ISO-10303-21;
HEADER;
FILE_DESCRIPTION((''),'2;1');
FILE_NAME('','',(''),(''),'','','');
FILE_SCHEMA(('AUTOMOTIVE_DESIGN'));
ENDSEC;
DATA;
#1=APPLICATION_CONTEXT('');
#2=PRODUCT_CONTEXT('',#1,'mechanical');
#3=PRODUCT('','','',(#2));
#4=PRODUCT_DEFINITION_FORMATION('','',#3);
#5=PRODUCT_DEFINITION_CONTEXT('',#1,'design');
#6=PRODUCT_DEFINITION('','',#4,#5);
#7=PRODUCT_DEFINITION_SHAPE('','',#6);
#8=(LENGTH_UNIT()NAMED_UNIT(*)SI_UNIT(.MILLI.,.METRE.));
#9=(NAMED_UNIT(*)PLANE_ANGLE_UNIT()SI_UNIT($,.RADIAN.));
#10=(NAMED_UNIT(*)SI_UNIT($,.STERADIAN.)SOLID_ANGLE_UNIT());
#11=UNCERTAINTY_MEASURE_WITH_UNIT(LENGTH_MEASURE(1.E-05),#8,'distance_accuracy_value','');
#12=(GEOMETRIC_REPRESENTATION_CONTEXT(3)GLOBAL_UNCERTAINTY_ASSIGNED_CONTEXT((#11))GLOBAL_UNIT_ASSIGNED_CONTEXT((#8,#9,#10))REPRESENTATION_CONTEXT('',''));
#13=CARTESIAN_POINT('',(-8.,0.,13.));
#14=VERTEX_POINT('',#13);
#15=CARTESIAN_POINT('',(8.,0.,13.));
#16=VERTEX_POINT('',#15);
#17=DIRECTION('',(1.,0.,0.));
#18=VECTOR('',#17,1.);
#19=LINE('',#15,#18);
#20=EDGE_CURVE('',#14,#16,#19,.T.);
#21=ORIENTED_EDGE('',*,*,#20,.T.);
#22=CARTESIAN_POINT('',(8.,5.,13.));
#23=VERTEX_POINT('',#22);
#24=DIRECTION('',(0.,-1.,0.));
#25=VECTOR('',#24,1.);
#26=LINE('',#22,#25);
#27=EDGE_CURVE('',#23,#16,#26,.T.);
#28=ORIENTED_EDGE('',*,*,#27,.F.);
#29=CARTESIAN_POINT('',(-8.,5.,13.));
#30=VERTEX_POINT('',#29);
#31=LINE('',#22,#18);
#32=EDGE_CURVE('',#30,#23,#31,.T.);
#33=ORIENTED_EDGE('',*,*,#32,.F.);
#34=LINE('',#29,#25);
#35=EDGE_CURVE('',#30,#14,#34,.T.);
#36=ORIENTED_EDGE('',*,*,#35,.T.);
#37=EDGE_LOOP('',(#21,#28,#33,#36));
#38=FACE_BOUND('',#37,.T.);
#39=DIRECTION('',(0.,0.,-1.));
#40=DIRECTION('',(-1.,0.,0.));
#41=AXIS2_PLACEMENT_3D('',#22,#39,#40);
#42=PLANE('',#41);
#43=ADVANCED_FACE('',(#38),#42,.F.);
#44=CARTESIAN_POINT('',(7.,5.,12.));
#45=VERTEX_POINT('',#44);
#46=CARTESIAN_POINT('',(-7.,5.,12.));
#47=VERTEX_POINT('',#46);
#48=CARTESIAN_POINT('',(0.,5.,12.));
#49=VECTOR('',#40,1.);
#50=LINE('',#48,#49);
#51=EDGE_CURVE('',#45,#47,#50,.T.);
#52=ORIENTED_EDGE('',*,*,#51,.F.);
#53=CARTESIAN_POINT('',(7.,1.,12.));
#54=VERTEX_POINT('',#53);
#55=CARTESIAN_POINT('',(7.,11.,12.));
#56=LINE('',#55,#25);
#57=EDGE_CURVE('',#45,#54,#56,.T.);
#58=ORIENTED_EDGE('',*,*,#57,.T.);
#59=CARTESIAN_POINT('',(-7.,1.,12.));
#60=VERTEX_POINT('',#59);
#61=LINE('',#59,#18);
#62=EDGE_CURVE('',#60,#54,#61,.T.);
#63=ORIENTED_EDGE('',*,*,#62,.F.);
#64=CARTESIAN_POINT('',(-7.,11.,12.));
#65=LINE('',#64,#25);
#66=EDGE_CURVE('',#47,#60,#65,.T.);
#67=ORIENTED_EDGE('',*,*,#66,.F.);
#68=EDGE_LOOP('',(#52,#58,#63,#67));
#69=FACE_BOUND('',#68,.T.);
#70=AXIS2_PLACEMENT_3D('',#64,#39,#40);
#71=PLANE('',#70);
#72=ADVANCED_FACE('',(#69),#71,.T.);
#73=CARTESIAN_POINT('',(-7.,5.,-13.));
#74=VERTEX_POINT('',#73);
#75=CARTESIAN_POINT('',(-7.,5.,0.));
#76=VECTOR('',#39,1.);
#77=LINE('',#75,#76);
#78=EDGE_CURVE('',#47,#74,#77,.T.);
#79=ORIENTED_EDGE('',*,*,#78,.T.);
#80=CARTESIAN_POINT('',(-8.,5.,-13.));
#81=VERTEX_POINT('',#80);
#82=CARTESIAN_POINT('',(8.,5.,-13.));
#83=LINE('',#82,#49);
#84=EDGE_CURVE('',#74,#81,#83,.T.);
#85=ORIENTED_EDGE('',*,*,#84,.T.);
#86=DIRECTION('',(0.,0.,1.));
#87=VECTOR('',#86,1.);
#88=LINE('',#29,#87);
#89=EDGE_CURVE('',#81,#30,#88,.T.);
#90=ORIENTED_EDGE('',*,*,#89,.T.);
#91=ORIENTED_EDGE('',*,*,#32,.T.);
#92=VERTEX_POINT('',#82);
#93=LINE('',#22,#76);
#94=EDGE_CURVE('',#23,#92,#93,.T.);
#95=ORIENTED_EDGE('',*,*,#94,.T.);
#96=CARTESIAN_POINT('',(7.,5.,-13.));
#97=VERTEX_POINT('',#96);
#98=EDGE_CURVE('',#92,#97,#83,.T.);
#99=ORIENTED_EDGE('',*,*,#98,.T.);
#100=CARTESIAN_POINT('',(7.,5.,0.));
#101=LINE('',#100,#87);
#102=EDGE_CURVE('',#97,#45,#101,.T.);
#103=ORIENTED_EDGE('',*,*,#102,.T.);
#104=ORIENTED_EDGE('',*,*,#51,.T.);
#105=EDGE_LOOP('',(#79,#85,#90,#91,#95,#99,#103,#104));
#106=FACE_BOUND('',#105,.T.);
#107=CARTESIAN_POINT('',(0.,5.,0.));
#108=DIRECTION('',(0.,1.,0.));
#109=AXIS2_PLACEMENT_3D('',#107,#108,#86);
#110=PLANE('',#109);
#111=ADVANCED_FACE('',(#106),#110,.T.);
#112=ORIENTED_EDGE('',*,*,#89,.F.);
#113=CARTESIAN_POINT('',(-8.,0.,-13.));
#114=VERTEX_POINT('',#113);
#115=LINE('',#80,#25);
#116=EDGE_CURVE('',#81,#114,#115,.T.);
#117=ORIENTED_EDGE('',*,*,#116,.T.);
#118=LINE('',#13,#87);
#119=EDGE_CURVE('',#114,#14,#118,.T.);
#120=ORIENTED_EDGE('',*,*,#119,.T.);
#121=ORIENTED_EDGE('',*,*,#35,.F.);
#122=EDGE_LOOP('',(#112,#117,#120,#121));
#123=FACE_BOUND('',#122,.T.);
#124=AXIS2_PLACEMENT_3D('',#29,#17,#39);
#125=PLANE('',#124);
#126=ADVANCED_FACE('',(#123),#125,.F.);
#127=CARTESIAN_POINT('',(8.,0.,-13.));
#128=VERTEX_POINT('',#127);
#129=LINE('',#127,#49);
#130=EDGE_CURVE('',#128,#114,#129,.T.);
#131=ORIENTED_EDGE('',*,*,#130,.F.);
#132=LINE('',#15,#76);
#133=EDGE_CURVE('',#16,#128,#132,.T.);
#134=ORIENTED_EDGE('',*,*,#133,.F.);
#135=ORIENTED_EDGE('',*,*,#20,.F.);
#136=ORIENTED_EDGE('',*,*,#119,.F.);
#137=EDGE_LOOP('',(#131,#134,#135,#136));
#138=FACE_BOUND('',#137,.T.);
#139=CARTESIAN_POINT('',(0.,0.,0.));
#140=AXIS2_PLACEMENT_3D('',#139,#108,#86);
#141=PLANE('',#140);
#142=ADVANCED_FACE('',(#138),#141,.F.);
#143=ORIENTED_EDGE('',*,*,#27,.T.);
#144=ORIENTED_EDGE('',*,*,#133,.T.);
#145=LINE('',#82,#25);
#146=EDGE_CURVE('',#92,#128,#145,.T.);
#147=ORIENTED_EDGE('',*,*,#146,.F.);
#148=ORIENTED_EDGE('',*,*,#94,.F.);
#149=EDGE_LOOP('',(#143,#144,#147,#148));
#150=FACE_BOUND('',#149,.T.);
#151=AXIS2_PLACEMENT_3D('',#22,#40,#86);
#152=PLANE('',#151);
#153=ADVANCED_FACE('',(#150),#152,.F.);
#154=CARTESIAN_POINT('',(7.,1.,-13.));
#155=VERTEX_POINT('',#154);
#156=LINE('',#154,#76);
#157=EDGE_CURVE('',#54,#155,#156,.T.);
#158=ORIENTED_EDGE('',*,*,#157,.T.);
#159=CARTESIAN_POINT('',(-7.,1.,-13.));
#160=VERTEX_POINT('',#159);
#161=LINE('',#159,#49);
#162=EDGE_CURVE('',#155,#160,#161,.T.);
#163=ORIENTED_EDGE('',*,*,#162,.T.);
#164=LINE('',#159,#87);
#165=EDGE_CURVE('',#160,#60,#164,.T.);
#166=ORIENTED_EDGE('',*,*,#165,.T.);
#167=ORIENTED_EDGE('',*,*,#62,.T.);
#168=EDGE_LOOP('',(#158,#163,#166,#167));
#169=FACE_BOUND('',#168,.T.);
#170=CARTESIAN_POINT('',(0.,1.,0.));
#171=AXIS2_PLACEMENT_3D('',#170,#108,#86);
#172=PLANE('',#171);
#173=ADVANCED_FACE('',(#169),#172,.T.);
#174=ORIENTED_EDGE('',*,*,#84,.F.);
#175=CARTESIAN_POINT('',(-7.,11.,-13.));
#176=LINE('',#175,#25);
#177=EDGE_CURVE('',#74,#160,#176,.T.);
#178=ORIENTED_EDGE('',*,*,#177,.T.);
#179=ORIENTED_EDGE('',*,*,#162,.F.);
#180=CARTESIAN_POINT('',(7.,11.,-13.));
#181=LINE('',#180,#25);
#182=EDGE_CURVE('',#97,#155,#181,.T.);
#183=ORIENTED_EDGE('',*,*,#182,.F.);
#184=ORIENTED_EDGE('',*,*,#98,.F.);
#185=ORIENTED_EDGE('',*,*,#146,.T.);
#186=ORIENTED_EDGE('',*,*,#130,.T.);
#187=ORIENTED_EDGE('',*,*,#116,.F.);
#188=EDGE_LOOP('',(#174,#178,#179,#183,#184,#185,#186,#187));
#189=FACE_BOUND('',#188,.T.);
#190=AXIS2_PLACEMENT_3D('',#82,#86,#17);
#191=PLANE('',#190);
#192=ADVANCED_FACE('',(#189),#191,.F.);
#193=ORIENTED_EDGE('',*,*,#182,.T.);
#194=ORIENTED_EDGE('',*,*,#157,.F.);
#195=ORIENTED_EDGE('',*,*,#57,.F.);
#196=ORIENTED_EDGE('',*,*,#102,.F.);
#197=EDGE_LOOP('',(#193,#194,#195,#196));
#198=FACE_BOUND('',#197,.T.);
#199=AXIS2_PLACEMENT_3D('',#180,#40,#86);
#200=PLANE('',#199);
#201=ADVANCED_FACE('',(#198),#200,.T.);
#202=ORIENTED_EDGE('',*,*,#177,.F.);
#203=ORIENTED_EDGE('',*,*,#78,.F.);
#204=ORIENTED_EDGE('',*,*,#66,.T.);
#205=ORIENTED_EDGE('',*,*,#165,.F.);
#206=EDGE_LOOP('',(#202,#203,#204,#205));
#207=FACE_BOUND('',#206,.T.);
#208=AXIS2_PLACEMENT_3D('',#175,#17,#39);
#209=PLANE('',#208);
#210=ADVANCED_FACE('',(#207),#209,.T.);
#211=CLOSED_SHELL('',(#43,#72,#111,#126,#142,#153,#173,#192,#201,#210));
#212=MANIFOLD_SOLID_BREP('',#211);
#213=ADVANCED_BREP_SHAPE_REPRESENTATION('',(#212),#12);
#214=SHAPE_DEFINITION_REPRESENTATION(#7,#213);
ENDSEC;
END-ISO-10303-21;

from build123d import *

# Parameters (mm, degrees)
SKETCH_1_W          = 16
SKETCH_1_H          = 26
EXTRUDE_1_DEPTH     = 5
CUT_EXTRUDE_START   = 1
SKETCH_2_W          = 14
SKETCH_2_H          = 25
CUT_EXTRUDE_1_DEPTH = 10
EXTRUDE_START       = 5
SKETCH_3_W          = 16
SKETCH_3_H          = 26
EXTRUDE_3_DEPTH     = 1
CUT_EXTRUDE_START_2 = 6
SKETCH_4_W          = 14
SKETCH_4_H          = 17
CUT_EXTRUDE_2_DEPTH = 1
SKETCH_5_W          = 16
SKETCH_5_H          = 26
CUT_EXTRUDE_3_DEPTH = 1


with BuildPart() as part:
    # 스케치1 → 보스-돌출1 (new body)
    with BuildSketch(Plane(origin=(0, 0, 0), x_dir=(1, 0, 0), z_dir=(0, 1, 0))):
        Rectangle(SKETCH_1_W, SKETCH_1_H)
    extrude(amount=EXTRUDE_1_DEPTH)

    # 스케치2 → 컷-돌출1 (cut)
    with BuildSketch(Plane(origin=(0, 0, 0), x_dir=(1, 0, 0), z_dir=(0, 1, 0)).offset(CUT_EXTRUDE_START)):
        with Locations((0, 0.5)):
            Rectangle(SKETCH_2_W, SKETCH_2_H)
    extrude(amount=CUT_EXTRUDE_1_DEPTH, mode=Mode.SUBTRACT)


with BuildPart() as body_2:
    # 스케치3 → 보스-돌출3 (new body)
    with BuildSketch(Plane(origin=(0, 0, 0), x_dir=(1, 0, 0), z_dir=(0, 1, 0)).offset(EXTRUDE_START)):
        Rectangle(SKETCH_3_W, SKETCH_3_H)
    extrude(amount=EXTRUDE_3_DEPTH)

    # 스케치4 → 컷-돌출2 (cut)
    with BuildSketch(Plane(origin=(0, 0, 0), x_dir=(1, 0, 0), z_dir=(0, 1, 0)).offset(CUT_EXTRUDE_START_2)):
        with Locations((0, -1.5)):
            Rectangle(SKETCH_4_W, SKETCH_4_H)
    extrude(amount=-CUT_EXTRUDE_2_DEPTH, mode=Mode.SUBTRACT)

    # 스케치5 → 컷-돌출3 (cut)
    with BuildSketch(Plane(origin=(0, 6, 0), x_dir=(1, 0, 0), z_dir=(0, 1, 0))):
        Rectangle(SKETCH_5_W, SKETCH_5_H)
    extrude(amount=-CUT_EXTRUDE_3_DEPTH, mode=Mode.SUBTRACT)


solid = part.part
